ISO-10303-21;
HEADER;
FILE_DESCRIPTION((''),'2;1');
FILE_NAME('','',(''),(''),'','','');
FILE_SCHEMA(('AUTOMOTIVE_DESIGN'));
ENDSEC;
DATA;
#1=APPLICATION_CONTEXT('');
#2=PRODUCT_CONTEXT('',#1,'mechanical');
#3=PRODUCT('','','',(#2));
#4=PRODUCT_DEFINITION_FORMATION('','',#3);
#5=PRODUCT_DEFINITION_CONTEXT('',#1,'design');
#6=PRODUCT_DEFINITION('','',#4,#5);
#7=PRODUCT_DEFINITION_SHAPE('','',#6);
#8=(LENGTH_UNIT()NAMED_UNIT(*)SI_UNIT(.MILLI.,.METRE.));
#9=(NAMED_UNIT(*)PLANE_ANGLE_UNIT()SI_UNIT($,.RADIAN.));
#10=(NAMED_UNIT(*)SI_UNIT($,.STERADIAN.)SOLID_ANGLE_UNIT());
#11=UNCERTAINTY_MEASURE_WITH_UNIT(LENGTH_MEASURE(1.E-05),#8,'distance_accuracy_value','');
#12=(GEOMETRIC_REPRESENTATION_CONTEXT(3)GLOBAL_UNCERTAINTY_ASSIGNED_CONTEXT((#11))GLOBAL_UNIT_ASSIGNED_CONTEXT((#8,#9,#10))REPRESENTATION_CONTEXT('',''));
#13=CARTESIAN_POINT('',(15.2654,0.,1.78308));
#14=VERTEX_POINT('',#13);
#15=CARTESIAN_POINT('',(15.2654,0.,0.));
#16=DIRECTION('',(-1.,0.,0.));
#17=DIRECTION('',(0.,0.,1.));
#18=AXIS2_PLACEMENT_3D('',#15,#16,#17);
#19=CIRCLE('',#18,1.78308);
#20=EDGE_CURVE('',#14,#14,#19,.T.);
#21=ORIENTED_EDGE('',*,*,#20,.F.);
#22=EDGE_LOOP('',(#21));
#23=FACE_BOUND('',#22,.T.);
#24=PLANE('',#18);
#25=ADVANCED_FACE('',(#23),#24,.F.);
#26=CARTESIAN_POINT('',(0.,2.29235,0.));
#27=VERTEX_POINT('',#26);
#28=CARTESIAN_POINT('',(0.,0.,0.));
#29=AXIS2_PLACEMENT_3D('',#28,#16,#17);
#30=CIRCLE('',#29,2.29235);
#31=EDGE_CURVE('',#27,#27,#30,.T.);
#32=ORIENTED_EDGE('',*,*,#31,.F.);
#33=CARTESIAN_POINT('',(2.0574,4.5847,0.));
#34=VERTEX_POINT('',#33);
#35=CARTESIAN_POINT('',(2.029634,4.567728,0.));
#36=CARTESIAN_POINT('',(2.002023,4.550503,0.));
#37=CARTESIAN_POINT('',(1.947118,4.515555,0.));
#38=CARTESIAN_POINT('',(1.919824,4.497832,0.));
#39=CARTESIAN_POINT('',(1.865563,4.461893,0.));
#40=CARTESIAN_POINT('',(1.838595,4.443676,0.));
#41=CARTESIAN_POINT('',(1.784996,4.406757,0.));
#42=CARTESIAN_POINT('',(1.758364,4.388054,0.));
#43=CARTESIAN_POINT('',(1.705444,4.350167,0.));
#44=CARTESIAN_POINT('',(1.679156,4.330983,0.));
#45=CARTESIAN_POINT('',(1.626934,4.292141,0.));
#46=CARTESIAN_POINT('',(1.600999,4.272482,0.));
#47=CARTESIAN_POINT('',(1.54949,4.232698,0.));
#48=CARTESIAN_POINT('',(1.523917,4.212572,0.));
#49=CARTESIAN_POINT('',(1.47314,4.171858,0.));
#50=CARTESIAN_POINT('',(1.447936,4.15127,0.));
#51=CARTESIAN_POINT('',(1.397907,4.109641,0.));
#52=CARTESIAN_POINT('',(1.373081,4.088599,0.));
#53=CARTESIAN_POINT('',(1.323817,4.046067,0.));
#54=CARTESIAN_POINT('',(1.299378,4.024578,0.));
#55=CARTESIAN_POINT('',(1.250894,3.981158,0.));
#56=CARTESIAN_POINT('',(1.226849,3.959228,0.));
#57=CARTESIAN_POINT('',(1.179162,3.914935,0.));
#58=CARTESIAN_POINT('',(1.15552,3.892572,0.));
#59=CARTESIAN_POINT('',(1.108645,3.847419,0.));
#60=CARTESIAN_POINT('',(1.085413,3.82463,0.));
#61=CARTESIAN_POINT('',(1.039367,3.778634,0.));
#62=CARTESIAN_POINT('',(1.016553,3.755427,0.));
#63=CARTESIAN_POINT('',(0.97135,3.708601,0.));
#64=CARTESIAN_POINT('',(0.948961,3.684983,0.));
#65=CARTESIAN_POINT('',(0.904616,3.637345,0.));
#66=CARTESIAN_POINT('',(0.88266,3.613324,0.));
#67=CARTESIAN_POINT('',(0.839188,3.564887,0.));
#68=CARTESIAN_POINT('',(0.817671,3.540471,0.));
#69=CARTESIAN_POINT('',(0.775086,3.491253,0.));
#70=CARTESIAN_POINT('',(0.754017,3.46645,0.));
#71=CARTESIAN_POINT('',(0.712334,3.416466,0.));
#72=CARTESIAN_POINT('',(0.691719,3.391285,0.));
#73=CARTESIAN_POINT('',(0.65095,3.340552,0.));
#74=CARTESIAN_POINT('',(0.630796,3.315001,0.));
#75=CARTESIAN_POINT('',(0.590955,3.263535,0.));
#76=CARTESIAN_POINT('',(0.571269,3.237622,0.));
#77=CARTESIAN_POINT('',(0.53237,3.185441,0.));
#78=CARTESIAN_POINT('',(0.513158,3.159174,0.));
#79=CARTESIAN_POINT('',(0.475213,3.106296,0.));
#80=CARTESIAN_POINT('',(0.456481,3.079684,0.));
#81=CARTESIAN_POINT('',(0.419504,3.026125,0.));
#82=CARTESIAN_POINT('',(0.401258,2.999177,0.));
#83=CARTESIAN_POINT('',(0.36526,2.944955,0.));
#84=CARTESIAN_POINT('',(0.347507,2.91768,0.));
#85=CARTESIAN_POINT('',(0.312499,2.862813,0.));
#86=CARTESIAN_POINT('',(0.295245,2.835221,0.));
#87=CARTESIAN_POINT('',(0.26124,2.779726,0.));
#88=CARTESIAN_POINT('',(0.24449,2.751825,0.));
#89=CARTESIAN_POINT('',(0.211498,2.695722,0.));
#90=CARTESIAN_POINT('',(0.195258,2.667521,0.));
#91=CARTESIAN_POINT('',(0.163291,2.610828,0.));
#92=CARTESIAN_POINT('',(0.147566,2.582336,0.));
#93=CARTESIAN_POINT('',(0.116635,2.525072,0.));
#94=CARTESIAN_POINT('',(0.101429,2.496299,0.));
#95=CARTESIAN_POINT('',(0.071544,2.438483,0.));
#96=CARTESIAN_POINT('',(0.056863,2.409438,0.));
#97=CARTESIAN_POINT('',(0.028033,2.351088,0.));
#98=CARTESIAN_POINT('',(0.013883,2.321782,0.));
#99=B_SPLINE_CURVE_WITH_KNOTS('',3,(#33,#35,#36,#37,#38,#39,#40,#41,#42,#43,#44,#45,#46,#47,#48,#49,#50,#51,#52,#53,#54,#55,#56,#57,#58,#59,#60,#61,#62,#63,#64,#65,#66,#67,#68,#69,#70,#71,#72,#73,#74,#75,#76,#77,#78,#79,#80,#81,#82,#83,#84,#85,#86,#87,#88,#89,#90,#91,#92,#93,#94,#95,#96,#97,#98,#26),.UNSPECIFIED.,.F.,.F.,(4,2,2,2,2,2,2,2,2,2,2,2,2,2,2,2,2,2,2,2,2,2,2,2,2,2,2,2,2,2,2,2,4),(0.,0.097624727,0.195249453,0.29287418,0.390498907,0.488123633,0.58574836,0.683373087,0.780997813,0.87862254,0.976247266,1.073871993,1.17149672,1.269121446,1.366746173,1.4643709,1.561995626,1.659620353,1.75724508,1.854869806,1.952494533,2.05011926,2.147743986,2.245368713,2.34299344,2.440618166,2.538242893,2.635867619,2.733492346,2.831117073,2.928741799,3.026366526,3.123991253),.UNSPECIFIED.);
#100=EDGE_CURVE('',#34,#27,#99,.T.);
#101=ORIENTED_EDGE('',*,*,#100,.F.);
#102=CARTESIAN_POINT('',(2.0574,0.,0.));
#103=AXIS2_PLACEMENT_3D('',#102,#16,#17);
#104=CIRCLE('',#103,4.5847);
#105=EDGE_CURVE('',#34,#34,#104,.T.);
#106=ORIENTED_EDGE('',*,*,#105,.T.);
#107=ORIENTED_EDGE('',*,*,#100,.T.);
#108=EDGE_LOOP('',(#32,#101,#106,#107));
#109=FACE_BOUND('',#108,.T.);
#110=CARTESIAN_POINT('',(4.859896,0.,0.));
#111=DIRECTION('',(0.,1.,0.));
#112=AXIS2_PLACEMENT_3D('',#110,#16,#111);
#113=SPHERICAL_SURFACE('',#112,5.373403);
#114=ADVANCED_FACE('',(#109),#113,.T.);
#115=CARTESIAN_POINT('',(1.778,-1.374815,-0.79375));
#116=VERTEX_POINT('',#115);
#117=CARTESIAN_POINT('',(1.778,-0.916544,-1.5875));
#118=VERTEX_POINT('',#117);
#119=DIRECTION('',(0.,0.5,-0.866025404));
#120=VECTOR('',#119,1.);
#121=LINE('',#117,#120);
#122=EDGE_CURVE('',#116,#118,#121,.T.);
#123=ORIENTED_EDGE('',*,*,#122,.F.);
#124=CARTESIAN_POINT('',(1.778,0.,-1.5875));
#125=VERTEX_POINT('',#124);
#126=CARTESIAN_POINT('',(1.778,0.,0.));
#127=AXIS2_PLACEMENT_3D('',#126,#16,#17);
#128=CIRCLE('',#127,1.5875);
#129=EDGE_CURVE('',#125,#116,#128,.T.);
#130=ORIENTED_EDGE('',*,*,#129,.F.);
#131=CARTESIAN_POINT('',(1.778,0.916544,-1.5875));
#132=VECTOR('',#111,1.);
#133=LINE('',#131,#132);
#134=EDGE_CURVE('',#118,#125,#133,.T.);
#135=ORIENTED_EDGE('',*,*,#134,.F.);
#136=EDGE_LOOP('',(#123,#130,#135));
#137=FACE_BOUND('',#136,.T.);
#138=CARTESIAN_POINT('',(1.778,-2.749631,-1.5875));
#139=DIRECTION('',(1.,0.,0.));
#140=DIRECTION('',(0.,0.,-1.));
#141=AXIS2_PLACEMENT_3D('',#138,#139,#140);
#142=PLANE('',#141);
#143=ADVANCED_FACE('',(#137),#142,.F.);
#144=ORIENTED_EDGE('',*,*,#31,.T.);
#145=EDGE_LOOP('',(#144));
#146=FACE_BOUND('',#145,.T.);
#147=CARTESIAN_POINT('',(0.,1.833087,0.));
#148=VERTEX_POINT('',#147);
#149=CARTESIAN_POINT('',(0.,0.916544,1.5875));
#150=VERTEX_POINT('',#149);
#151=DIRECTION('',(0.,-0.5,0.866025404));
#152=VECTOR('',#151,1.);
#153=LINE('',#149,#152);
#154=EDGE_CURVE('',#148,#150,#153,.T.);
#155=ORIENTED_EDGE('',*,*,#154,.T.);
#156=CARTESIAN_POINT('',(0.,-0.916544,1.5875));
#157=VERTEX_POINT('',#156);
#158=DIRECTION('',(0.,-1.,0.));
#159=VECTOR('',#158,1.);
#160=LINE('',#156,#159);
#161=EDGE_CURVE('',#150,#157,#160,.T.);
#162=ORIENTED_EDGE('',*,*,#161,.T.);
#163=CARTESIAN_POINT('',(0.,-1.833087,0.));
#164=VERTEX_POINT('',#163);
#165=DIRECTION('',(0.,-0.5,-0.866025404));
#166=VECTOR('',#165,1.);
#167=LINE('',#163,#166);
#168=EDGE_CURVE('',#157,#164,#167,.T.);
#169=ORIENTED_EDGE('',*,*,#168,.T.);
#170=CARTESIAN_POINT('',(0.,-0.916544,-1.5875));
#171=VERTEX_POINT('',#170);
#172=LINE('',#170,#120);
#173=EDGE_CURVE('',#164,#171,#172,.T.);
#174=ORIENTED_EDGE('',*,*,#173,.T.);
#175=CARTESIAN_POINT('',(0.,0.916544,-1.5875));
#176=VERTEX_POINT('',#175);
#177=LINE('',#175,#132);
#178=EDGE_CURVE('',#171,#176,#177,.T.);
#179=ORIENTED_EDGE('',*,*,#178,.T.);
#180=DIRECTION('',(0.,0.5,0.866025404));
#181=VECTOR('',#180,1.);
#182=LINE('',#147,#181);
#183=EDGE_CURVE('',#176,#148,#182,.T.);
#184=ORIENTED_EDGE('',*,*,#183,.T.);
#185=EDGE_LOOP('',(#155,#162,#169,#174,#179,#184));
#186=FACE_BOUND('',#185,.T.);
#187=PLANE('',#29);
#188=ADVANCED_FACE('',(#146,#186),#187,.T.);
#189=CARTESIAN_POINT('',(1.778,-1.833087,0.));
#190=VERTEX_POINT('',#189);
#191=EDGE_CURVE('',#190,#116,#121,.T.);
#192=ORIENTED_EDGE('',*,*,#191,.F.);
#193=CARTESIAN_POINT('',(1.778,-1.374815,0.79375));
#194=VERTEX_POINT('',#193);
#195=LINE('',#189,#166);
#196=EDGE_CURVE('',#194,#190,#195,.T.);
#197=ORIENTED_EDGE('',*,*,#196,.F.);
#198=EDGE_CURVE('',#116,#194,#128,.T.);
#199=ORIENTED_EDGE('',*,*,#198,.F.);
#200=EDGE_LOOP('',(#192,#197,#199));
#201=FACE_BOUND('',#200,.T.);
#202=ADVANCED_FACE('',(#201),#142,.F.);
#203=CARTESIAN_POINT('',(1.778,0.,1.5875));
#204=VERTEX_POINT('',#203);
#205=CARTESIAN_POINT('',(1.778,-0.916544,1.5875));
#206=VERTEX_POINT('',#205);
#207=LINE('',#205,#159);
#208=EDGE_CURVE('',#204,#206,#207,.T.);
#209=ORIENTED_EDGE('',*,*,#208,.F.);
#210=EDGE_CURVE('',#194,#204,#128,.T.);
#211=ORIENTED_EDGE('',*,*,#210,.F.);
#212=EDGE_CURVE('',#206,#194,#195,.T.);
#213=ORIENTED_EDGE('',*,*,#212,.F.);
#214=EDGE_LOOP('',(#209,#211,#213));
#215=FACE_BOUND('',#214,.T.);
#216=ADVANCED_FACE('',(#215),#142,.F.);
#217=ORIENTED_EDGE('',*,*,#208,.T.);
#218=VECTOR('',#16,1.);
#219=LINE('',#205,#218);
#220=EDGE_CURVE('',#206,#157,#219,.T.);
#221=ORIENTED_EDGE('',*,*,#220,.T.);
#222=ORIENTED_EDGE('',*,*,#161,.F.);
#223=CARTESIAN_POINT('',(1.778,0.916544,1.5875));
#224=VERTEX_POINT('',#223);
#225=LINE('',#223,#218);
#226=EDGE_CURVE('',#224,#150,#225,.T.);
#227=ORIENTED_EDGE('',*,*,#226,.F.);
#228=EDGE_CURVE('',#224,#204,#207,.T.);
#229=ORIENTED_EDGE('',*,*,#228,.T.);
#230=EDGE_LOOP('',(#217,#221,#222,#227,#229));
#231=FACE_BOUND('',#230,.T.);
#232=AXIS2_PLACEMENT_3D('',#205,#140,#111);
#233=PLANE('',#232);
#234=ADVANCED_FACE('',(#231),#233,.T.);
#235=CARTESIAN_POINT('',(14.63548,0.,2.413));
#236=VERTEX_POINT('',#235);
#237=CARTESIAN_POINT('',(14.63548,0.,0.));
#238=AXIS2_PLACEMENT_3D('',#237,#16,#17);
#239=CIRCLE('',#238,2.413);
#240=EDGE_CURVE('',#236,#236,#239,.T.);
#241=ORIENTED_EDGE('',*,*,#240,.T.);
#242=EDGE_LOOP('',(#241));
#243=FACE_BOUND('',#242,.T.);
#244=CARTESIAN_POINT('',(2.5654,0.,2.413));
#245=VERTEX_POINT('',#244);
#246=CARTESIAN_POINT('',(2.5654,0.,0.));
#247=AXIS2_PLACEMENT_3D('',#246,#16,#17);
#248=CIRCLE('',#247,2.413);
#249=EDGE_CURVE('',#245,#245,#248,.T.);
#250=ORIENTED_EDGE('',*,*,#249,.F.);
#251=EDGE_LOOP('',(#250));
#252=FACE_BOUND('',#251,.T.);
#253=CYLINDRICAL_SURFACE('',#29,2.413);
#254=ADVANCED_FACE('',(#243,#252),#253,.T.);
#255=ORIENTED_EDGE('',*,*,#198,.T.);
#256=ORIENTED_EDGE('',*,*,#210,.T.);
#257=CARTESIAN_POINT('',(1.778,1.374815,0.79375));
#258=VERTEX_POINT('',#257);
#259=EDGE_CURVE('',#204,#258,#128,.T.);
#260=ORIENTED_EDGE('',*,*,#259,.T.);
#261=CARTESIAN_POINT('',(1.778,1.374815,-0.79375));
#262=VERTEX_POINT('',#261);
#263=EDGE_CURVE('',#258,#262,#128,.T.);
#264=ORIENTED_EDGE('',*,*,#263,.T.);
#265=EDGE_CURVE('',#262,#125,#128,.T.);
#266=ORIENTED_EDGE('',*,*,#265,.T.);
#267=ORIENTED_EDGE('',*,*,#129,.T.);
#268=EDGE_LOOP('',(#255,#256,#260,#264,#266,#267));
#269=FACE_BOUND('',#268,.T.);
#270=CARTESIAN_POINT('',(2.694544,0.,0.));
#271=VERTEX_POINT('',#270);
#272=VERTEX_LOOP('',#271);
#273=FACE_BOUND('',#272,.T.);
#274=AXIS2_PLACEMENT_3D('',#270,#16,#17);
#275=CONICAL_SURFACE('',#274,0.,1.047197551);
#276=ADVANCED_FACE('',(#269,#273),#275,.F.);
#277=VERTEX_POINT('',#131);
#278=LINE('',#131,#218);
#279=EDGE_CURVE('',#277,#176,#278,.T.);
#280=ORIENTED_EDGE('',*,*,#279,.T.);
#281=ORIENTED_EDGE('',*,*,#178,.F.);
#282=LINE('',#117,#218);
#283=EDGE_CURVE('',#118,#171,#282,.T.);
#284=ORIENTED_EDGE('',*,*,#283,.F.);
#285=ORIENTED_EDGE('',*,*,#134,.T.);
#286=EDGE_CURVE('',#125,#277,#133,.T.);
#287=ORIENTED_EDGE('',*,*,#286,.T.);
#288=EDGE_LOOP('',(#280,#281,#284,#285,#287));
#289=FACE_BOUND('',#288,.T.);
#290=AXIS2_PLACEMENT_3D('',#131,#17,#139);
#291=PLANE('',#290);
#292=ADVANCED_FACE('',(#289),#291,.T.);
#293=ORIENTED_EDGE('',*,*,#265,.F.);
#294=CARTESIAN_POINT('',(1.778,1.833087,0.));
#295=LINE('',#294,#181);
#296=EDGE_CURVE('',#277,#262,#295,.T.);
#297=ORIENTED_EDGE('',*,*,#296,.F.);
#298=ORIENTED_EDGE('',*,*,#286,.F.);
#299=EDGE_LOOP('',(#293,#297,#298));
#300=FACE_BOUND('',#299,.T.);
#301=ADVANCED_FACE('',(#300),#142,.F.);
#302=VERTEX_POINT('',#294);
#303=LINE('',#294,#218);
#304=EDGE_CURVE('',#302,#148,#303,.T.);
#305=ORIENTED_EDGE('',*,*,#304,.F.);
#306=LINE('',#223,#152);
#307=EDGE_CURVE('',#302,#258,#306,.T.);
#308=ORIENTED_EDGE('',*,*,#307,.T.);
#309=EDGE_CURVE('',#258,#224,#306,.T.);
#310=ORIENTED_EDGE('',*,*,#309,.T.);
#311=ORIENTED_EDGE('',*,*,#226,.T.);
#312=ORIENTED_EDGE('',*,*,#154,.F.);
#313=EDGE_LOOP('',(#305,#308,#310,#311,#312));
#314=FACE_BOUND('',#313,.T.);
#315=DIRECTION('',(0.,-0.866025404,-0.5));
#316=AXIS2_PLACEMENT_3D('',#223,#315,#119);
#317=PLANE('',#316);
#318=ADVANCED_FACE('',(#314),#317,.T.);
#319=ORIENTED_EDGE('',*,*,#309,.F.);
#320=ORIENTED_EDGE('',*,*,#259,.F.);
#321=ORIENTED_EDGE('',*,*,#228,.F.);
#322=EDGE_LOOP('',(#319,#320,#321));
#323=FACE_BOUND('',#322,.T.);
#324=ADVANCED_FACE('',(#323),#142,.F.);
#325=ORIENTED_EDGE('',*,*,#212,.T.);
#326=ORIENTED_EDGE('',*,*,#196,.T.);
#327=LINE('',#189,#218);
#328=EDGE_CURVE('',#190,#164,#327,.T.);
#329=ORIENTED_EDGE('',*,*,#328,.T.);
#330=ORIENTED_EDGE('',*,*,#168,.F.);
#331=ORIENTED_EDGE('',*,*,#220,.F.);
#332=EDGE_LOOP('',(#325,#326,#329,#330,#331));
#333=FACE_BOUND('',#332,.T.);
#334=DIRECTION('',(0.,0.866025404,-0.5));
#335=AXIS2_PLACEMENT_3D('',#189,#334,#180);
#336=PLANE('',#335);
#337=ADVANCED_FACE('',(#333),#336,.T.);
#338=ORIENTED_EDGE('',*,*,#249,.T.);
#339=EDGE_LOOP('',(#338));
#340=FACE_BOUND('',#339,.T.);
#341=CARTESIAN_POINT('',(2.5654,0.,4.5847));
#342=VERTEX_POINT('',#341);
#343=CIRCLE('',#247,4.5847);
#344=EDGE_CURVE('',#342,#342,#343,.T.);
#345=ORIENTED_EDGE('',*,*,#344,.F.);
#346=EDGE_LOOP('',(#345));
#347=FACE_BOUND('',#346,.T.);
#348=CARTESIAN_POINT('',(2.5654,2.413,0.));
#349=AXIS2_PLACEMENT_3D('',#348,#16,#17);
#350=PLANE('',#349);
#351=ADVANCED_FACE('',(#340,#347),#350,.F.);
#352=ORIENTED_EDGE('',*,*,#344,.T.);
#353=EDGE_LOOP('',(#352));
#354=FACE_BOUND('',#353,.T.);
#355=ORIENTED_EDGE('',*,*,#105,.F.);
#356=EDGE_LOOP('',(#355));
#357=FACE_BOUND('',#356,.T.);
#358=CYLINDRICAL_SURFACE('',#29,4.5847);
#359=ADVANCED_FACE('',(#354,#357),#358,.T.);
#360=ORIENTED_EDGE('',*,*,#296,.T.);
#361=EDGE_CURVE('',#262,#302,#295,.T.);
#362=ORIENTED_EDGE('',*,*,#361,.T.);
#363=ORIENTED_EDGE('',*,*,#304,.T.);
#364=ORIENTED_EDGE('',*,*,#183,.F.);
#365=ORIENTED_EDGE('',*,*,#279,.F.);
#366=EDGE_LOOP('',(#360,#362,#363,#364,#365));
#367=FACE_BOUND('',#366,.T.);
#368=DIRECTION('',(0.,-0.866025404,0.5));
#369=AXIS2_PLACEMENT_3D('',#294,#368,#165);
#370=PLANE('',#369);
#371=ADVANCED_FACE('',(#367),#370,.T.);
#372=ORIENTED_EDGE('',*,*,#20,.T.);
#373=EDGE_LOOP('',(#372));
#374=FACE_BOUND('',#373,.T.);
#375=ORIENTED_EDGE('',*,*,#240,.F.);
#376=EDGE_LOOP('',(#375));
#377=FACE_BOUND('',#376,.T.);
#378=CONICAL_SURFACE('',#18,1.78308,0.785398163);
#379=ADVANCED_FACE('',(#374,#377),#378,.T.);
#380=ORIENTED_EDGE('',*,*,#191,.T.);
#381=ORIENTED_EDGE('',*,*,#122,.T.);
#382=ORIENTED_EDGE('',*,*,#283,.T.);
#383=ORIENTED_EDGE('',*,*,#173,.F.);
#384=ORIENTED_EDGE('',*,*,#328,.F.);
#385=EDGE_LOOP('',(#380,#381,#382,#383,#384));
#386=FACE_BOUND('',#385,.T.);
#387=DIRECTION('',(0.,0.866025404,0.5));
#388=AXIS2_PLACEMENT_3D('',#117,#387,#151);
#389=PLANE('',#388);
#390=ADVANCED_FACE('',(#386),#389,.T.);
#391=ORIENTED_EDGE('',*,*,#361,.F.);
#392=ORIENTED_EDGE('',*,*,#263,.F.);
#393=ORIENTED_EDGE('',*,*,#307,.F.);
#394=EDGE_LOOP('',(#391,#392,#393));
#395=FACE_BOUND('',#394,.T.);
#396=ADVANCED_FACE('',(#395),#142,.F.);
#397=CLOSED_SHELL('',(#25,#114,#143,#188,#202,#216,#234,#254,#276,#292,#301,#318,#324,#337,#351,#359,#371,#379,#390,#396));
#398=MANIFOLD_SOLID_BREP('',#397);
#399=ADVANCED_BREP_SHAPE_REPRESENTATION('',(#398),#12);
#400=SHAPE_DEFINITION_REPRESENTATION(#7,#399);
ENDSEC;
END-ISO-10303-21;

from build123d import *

# Parameters (mm, degrees)
HEX_2_DEPTH = 1.778


with BuildPart() as part:
    # BodySke → BaseBody (revolve)
    with BuildSketch(Plane.XY, mode=Mode.PRIVATE) as basebody_sk:
        with BuildLine():
            Line((15.2654, 0), (15.2654, 1.78308))
            Line((15.2654, 1.78308), (14.63548, 2.413))
            Line((14.63548, 2.413), (2.5654, 2.413))
            Line((2.5654, 2.413), (2.5654, 4.5847))
            Line((2.5654, 4.5847), (2.0574, 4.5847))
            ThreePointArc((2.0574, 4.5847), (0.860923645, 3.589105441), (0, 2.29235))
            Line((0, 2.29235), (0, 0))
            Line((0, 0), (15.2654, 0))
        make_face()
    revolve(basebody_sk.sketch.rotate(Axis((0, 0, 0), (1, 0, 0)), 90), axis=Axis((0, 0, 0), (1, 0, 0)))

    # Sketch2 → PreBroach (revolve, cut)
    with BuildSketch(Plane.XY, mode=Mode.PRIVATE) as prebroach_sk:
        Polygon((0, 1.5875), (1.778, 1.5875), (2.694543552, 0), (0, 0), align=None)
    revolve(prebroach_sk.sketch.rotate(Axis((0, 0, 0), (1, 0, 0)), 90), axis=Axis((0, 0, 0), (1, 0, 0)), mode=Mode.SUBTRACT)

    # Sketch3 → Hex 2 (cut)
    with BuildSketch(Plane(origin=(0, 0, 0), x_dir=(0, 0, -1), z_dir=(1, 0, 0))):
        Polygon((-1.5875, -0.916543552), (-1.5875, 0.916543552), (0, 1.833087105), (1.5875, 0.916543552), (1.5875, -0.916543552), (0, -1.833087105), align=None)
    extrude(amount=HEX_2_DEPTH, mode=Mode.SUBTRACT)


solid = part.part
